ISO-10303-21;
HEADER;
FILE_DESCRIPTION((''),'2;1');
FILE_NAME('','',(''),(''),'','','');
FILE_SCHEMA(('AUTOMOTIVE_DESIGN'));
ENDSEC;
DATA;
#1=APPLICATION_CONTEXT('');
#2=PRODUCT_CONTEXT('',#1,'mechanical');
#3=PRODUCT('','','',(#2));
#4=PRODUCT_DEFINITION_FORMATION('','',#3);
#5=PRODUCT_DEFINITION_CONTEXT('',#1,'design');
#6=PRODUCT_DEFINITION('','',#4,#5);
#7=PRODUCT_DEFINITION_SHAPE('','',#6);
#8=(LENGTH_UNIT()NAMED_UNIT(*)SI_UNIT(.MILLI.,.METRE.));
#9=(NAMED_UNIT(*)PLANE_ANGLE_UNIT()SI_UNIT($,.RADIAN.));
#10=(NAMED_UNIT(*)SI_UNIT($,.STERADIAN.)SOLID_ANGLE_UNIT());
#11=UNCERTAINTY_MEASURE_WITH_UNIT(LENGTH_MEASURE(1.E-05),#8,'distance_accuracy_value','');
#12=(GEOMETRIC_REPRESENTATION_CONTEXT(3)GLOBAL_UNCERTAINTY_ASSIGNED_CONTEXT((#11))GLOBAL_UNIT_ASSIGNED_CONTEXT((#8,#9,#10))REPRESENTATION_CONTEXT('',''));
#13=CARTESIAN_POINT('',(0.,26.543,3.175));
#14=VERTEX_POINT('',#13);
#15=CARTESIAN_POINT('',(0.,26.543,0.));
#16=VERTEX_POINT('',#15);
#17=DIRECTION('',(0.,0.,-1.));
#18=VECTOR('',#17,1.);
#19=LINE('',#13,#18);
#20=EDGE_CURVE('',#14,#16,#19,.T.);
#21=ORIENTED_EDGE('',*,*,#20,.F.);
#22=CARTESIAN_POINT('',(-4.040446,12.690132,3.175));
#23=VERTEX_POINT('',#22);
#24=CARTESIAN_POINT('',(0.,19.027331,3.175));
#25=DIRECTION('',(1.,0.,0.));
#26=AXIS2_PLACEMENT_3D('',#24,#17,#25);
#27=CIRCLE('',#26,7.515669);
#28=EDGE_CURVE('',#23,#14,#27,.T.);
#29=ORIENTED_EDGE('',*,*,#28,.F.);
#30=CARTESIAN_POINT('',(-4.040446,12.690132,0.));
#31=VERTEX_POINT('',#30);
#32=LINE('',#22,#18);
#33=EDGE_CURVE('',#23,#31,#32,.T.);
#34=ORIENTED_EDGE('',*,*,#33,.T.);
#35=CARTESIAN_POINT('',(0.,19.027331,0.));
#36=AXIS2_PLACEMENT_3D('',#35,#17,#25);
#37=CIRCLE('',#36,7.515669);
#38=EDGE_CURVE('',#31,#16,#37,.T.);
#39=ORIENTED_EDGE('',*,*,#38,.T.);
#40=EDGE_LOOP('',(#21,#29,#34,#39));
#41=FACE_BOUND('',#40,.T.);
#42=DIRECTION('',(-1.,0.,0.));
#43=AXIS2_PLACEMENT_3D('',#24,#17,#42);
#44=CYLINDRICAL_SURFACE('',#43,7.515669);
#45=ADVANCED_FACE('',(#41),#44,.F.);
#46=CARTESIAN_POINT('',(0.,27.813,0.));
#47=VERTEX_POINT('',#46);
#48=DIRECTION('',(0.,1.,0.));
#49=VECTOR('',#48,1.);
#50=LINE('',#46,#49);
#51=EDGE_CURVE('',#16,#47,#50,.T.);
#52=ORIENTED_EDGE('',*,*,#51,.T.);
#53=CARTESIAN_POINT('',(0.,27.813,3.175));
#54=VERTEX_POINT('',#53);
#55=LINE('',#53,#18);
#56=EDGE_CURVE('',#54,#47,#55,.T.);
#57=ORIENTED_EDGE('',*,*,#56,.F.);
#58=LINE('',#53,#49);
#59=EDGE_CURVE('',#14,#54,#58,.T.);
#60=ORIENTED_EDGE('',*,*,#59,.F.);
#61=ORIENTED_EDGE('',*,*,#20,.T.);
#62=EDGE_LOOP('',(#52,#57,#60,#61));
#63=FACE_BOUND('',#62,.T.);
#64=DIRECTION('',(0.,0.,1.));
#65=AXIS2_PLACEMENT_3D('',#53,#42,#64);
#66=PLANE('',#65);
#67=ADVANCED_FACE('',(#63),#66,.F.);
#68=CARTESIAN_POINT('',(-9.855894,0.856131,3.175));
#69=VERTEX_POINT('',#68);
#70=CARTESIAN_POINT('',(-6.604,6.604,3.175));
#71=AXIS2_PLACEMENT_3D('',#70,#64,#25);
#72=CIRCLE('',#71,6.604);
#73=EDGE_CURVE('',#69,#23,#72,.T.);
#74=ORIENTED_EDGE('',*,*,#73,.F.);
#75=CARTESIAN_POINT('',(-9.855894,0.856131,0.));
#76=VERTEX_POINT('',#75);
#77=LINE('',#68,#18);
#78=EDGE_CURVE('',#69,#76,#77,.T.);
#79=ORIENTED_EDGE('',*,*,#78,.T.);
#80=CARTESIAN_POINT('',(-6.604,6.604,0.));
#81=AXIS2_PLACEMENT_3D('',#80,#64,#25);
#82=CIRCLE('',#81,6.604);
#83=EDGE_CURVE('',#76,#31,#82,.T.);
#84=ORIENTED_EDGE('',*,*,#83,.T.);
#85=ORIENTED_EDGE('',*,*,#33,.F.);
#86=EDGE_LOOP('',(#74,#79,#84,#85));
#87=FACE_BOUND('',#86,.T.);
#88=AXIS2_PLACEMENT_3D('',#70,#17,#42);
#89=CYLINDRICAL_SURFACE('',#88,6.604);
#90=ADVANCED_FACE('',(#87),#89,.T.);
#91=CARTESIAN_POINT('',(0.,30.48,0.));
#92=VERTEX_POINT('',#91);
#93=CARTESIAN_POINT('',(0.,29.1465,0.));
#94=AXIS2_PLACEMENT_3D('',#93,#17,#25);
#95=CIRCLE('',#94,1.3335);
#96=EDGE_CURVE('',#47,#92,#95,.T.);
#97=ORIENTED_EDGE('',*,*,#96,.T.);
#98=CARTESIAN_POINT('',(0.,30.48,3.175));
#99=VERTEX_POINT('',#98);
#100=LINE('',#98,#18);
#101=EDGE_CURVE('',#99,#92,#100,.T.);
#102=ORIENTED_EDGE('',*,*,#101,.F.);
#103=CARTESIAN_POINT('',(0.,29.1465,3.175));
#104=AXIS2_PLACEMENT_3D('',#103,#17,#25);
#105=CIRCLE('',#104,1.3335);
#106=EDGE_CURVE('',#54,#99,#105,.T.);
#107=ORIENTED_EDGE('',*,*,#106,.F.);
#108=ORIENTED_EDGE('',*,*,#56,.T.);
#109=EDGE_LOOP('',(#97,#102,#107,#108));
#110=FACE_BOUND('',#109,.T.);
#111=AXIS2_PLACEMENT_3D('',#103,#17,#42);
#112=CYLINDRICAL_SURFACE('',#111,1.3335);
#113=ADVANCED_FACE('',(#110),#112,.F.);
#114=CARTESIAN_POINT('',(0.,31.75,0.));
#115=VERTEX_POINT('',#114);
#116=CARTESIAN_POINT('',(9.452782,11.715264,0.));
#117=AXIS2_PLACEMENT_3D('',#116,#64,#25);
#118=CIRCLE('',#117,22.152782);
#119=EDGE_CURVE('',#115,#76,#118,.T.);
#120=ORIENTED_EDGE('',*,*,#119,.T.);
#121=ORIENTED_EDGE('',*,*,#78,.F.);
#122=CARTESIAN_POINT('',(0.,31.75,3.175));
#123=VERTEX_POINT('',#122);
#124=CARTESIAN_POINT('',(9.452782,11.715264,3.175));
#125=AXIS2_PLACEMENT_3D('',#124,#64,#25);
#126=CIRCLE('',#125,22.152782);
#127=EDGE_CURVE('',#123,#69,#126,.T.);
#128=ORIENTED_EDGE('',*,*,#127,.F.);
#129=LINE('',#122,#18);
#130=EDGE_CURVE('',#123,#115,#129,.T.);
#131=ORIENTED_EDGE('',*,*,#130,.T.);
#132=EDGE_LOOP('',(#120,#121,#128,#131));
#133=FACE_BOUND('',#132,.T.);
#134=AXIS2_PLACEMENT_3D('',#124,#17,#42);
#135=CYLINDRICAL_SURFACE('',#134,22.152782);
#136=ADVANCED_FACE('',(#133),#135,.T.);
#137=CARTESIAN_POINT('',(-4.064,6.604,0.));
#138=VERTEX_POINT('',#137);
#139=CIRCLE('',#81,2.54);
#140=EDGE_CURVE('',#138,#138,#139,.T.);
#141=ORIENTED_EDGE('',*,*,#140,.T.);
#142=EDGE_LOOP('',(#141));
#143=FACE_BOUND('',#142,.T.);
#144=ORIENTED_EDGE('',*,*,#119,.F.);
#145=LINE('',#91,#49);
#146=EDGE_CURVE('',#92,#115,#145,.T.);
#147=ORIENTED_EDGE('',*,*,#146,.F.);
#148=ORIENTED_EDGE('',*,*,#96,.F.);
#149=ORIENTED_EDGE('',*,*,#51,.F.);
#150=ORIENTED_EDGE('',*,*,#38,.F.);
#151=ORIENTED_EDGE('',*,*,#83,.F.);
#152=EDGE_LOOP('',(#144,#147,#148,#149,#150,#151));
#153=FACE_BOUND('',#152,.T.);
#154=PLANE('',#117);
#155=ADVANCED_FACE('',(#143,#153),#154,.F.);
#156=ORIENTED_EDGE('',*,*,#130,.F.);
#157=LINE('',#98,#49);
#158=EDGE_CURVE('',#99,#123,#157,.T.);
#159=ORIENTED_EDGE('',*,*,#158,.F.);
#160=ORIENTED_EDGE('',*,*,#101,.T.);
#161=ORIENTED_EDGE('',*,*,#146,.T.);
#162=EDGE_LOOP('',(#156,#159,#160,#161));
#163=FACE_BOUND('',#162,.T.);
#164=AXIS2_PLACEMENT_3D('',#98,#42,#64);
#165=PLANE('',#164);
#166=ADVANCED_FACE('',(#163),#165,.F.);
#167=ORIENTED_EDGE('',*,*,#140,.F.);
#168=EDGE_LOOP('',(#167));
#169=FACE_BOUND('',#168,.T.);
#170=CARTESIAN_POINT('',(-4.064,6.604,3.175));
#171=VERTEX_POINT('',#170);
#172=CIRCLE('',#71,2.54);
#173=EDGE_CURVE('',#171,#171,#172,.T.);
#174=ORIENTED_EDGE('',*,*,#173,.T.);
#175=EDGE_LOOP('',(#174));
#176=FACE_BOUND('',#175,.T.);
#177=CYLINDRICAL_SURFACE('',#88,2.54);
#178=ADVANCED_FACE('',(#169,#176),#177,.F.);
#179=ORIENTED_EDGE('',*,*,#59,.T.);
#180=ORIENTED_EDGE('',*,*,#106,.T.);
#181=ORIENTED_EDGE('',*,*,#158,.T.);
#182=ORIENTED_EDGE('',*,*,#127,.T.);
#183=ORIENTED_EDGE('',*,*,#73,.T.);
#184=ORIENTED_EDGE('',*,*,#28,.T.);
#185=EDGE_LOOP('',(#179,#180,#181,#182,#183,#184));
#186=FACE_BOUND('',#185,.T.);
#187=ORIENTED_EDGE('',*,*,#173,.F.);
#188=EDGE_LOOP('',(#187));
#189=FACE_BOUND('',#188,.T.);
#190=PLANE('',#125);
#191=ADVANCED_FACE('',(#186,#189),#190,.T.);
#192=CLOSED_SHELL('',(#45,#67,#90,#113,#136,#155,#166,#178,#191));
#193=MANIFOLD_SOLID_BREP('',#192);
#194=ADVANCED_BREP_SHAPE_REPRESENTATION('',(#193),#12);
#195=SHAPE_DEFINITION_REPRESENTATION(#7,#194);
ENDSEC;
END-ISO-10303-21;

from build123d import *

# Parameters (mm, degrees)
SKETCH1_R           = 2.54
BOSS_EXTRUDE1_DEPTH = 3.175


with BuildPart() as part:
    # Sketch1 → Boss-Extrude1 (new body)
    with BuildSketch(Plane.XY):
        with BuildLine():
            Line((0, 27.813), (0, 26.543))
            ThreePointArc((0, 26.543), (-7.215038926, 21.131730585), (-4.040445833, 12.690132272))
            ThreePointArc((-4.040445833, 12.690132272), (-0.676998183, 3.691361084), (-9.855894217, 0.856130829))
            ThreePointArc((-9.855894217, 0.856130829), (-11.652031758, 18.448211646), (0, 31.75))
            Line((0, 31.75), (0, 30.48))
            ThreePointArc((0, 30.48), (-1.3335, 29.1465), (0, 27.813))
        make_face()
        with Locations((-6.604, 6.604)):
            Circle(SKETCH1_R, mode=Mode.SUBTRACT)
    extrude(amount=BOSS_EXTRUDE1_DEPTH)


solid = part.part
